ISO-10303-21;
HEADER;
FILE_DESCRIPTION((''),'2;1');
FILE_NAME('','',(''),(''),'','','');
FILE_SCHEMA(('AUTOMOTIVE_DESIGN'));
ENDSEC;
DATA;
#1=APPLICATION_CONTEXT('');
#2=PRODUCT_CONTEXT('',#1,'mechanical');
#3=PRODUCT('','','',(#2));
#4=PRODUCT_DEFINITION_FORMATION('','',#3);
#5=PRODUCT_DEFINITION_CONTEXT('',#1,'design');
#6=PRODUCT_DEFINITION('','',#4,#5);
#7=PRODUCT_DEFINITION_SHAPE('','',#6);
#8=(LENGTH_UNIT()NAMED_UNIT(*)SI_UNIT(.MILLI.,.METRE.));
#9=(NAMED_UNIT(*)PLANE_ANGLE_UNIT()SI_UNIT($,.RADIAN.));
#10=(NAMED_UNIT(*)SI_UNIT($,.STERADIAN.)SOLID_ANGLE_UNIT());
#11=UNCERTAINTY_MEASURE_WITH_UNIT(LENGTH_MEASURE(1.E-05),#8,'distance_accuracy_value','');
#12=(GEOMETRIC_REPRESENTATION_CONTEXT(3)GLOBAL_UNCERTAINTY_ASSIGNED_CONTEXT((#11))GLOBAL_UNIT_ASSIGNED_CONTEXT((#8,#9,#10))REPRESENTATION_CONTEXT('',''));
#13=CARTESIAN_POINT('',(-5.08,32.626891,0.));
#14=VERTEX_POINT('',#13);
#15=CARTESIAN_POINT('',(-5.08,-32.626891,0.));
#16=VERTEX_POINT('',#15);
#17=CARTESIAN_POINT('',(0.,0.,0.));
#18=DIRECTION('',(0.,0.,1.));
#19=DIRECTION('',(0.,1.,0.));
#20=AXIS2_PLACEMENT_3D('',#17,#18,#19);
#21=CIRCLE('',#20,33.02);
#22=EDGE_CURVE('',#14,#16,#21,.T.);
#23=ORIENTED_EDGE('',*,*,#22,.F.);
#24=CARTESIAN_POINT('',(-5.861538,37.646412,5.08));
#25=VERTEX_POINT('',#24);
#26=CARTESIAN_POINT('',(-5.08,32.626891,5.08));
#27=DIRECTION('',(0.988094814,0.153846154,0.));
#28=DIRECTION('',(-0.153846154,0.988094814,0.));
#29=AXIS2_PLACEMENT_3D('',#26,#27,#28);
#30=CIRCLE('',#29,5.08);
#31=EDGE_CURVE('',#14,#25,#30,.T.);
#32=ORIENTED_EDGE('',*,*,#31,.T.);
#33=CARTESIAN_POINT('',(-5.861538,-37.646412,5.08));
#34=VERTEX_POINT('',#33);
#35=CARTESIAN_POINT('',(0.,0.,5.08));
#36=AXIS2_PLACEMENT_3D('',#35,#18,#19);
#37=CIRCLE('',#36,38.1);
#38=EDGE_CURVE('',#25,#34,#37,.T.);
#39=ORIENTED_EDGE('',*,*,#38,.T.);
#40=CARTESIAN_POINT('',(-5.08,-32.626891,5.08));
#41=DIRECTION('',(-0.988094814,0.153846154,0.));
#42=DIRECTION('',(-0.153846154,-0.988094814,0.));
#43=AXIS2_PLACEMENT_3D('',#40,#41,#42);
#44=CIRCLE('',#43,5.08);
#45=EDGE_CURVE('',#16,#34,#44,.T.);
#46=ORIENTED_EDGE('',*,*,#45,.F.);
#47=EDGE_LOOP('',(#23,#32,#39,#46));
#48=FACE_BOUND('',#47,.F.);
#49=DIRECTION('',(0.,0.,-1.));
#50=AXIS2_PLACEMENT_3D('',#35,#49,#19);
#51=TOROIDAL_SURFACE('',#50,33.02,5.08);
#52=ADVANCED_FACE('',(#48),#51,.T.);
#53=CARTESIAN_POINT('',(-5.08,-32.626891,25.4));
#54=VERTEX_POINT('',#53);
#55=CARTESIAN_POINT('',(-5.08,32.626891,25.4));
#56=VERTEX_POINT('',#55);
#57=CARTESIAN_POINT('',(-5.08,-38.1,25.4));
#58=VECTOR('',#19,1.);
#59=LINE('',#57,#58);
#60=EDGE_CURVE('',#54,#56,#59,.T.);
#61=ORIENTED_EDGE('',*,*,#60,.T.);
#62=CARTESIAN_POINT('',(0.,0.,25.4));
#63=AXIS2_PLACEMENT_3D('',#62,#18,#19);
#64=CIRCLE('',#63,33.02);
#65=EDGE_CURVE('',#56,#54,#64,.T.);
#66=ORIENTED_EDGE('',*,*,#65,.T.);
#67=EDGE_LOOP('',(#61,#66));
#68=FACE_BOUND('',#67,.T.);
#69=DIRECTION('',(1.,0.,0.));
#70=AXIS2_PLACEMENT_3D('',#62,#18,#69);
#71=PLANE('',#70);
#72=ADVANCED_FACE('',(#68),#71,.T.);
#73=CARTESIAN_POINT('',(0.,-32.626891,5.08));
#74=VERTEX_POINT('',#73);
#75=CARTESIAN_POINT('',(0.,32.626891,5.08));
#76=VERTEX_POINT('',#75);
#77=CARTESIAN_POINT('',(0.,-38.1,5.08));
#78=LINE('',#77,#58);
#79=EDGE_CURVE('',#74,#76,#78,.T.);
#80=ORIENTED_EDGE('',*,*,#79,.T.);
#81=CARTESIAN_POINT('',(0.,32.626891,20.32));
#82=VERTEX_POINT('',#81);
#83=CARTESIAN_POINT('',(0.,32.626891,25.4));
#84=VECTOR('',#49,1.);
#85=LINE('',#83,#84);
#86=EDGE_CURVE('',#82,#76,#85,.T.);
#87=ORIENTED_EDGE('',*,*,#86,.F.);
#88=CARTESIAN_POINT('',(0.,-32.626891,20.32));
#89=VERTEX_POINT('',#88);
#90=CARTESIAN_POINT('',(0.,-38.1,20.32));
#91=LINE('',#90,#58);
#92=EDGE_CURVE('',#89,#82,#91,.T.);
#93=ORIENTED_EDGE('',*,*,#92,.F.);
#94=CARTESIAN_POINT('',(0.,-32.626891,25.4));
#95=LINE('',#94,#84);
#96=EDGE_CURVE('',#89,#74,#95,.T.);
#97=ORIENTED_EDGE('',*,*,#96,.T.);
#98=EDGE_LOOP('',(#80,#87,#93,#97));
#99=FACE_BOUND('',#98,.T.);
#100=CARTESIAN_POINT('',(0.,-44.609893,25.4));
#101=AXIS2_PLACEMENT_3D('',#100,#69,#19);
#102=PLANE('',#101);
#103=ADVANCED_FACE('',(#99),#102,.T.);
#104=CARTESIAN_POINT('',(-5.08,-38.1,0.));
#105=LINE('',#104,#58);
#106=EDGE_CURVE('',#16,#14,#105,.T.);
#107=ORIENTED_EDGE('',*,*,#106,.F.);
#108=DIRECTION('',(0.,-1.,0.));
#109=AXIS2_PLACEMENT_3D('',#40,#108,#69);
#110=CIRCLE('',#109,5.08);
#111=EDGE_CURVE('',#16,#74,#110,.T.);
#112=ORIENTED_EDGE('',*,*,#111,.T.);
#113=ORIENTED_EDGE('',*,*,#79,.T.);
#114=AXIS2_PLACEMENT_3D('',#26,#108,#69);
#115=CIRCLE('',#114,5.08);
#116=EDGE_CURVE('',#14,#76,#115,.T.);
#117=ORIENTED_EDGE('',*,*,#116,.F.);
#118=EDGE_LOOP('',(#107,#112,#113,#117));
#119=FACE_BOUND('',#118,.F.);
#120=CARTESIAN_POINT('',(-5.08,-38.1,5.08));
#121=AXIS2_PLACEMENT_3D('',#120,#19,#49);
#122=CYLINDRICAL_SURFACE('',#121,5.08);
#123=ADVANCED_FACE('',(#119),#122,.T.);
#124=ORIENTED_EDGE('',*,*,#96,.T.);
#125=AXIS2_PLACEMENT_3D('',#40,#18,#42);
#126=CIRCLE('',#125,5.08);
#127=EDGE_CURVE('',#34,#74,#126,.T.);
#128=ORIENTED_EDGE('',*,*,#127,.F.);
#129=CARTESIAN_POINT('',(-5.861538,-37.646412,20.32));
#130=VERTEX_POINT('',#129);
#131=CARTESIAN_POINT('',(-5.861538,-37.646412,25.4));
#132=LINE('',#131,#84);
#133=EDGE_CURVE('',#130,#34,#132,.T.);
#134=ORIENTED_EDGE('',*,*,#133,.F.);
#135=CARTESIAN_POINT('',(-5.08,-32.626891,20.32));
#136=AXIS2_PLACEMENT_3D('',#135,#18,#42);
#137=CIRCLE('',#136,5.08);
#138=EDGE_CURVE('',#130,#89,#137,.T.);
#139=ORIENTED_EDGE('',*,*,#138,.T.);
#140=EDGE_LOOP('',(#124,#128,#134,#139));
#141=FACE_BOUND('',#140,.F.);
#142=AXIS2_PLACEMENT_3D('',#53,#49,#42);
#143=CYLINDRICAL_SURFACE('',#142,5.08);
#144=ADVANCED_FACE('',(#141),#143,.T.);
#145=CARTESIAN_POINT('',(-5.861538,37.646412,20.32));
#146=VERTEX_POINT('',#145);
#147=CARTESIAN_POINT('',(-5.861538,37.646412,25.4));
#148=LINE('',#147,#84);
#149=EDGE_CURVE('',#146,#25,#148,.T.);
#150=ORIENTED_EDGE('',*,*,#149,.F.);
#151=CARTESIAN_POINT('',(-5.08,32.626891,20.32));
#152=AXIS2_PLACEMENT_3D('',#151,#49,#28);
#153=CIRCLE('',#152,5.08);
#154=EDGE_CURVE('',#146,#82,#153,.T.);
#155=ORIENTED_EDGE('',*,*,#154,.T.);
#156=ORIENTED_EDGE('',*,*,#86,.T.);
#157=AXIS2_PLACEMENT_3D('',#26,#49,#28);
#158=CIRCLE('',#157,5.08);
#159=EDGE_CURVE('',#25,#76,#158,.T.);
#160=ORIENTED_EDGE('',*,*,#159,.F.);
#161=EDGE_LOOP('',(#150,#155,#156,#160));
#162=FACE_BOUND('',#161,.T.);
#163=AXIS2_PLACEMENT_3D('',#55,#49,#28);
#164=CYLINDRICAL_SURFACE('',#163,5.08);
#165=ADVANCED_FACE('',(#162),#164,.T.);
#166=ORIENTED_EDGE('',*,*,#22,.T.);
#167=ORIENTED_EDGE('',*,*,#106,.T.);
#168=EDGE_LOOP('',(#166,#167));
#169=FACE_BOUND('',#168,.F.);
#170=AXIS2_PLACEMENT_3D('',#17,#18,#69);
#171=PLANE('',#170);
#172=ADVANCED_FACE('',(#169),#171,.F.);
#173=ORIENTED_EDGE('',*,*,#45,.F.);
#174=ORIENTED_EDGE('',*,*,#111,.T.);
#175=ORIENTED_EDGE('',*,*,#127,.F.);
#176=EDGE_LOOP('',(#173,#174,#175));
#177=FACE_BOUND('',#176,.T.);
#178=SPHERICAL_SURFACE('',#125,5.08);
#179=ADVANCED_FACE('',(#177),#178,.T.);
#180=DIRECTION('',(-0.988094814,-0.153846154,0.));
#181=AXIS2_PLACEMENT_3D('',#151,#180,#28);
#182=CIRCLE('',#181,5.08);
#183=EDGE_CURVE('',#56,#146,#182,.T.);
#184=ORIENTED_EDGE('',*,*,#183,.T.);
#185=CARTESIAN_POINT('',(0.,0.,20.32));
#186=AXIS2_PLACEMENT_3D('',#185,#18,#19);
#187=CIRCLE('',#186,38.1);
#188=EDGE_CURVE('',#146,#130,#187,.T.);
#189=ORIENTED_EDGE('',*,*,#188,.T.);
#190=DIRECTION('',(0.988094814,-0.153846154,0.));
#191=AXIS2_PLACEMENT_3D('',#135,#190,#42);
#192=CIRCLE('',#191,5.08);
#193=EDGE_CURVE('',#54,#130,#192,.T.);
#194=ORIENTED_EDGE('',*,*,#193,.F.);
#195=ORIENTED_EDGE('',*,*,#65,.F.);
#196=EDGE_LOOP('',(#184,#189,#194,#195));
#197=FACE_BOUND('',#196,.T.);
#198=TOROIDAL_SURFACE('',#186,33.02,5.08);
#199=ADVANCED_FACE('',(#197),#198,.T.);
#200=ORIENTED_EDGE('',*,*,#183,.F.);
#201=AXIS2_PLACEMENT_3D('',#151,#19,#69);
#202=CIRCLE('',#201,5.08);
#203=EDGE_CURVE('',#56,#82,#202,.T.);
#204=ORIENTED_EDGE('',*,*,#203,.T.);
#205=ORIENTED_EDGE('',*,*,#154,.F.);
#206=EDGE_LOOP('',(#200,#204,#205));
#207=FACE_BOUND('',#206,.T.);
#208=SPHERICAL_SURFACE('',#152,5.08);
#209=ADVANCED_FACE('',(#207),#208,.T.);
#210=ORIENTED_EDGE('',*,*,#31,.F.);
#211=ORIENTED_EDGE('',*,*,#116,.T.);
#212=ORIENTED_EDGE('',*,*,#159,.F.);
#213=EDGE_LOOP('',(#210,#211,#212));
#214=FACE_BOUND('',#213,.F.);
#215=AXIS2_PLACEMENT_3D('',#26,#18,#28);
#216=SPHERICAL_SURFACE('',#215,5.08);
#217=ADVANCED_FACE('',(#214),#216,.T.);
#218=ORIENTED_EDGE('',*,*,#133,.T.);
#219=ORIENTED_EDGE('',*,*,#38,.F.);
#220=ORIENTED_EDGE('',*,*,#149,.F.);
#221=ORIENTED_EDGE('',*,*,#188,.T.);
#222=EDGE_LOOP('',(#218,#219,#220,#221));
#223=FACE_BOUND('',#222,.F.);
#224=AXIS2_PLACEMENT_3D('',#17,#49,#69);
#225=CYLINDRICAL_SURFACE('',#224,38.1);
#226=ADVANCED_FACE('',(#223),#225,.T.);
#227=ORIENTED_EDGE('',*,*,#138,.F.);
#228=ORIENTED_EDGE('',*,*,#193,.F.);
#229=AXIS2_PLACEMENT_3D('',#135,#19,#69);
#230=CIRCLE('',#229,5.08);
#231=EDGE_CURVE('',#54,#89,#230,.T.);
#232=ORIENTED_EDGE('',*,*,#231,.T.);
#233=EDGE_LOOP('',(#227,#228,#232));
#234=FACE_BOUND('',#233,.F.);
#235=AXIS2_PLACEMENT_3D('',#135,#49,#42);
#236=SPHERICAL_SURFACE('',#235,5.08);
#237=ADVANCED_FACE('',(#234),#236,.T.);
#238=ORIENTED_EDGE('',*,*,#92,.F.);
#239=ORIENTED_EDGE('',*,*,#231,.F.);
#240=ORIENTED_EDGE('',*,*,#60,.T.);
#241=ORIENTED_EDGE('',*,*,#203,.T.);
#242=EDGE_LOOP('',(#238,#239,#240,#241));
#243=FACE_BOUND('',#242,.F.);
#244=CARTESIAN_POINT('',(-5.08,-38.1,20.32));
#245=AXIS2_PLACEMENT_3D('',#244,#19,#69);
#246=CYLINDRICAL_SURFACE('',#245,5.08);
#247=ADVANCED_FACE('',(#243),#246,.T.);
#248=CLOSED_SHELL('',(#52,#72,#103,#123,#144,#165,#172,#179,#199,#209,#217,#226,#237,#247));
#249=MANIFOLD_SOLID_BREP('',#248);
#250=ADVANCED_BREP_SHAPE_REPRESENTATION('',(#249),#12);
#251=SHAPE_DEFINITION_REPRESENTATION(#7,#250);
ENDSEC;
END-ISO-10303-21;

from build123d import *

# Parameters (mm, degrees)
F0_R     = 38.1
F1_DEPTH = 25.4
F2_W     = 44.03428
F2_H     = 85.478309
F3_DEPTH = 25.4
F4_R     = 5.08


with BuildPart() as f1:
    # F0 (on Top) → F1 (new body)
    with BuildSketch(Plane.XY):
        Circle(F0_R)
    extrude(amount=F1_DEPTH)

    # F2 (on face) → F3 (cut)
    with BuildSketch(Plane.XY.offset(25.4)):
        with Locations((22.01714, -1.870739)):
            Rectangle(F2_W, F2_H)
    extrude(amount=-F3_DEPTH, mode=Mode.SUBTRACT)

    # F4
    f4_edges = [f1.edges().sort_by_distance(p)[0] for p in [
        (0, 0, 25.4),
        (0, -38.1, 12.7),
        (0, 38.1, 12.7),
        (-38.1, 0, 25.4),
        (-38.1, 0, 0),
        (0, 0, 0),
    ]]
    fillet(f4_edges, radius=F4_R)


solid = f1.part
